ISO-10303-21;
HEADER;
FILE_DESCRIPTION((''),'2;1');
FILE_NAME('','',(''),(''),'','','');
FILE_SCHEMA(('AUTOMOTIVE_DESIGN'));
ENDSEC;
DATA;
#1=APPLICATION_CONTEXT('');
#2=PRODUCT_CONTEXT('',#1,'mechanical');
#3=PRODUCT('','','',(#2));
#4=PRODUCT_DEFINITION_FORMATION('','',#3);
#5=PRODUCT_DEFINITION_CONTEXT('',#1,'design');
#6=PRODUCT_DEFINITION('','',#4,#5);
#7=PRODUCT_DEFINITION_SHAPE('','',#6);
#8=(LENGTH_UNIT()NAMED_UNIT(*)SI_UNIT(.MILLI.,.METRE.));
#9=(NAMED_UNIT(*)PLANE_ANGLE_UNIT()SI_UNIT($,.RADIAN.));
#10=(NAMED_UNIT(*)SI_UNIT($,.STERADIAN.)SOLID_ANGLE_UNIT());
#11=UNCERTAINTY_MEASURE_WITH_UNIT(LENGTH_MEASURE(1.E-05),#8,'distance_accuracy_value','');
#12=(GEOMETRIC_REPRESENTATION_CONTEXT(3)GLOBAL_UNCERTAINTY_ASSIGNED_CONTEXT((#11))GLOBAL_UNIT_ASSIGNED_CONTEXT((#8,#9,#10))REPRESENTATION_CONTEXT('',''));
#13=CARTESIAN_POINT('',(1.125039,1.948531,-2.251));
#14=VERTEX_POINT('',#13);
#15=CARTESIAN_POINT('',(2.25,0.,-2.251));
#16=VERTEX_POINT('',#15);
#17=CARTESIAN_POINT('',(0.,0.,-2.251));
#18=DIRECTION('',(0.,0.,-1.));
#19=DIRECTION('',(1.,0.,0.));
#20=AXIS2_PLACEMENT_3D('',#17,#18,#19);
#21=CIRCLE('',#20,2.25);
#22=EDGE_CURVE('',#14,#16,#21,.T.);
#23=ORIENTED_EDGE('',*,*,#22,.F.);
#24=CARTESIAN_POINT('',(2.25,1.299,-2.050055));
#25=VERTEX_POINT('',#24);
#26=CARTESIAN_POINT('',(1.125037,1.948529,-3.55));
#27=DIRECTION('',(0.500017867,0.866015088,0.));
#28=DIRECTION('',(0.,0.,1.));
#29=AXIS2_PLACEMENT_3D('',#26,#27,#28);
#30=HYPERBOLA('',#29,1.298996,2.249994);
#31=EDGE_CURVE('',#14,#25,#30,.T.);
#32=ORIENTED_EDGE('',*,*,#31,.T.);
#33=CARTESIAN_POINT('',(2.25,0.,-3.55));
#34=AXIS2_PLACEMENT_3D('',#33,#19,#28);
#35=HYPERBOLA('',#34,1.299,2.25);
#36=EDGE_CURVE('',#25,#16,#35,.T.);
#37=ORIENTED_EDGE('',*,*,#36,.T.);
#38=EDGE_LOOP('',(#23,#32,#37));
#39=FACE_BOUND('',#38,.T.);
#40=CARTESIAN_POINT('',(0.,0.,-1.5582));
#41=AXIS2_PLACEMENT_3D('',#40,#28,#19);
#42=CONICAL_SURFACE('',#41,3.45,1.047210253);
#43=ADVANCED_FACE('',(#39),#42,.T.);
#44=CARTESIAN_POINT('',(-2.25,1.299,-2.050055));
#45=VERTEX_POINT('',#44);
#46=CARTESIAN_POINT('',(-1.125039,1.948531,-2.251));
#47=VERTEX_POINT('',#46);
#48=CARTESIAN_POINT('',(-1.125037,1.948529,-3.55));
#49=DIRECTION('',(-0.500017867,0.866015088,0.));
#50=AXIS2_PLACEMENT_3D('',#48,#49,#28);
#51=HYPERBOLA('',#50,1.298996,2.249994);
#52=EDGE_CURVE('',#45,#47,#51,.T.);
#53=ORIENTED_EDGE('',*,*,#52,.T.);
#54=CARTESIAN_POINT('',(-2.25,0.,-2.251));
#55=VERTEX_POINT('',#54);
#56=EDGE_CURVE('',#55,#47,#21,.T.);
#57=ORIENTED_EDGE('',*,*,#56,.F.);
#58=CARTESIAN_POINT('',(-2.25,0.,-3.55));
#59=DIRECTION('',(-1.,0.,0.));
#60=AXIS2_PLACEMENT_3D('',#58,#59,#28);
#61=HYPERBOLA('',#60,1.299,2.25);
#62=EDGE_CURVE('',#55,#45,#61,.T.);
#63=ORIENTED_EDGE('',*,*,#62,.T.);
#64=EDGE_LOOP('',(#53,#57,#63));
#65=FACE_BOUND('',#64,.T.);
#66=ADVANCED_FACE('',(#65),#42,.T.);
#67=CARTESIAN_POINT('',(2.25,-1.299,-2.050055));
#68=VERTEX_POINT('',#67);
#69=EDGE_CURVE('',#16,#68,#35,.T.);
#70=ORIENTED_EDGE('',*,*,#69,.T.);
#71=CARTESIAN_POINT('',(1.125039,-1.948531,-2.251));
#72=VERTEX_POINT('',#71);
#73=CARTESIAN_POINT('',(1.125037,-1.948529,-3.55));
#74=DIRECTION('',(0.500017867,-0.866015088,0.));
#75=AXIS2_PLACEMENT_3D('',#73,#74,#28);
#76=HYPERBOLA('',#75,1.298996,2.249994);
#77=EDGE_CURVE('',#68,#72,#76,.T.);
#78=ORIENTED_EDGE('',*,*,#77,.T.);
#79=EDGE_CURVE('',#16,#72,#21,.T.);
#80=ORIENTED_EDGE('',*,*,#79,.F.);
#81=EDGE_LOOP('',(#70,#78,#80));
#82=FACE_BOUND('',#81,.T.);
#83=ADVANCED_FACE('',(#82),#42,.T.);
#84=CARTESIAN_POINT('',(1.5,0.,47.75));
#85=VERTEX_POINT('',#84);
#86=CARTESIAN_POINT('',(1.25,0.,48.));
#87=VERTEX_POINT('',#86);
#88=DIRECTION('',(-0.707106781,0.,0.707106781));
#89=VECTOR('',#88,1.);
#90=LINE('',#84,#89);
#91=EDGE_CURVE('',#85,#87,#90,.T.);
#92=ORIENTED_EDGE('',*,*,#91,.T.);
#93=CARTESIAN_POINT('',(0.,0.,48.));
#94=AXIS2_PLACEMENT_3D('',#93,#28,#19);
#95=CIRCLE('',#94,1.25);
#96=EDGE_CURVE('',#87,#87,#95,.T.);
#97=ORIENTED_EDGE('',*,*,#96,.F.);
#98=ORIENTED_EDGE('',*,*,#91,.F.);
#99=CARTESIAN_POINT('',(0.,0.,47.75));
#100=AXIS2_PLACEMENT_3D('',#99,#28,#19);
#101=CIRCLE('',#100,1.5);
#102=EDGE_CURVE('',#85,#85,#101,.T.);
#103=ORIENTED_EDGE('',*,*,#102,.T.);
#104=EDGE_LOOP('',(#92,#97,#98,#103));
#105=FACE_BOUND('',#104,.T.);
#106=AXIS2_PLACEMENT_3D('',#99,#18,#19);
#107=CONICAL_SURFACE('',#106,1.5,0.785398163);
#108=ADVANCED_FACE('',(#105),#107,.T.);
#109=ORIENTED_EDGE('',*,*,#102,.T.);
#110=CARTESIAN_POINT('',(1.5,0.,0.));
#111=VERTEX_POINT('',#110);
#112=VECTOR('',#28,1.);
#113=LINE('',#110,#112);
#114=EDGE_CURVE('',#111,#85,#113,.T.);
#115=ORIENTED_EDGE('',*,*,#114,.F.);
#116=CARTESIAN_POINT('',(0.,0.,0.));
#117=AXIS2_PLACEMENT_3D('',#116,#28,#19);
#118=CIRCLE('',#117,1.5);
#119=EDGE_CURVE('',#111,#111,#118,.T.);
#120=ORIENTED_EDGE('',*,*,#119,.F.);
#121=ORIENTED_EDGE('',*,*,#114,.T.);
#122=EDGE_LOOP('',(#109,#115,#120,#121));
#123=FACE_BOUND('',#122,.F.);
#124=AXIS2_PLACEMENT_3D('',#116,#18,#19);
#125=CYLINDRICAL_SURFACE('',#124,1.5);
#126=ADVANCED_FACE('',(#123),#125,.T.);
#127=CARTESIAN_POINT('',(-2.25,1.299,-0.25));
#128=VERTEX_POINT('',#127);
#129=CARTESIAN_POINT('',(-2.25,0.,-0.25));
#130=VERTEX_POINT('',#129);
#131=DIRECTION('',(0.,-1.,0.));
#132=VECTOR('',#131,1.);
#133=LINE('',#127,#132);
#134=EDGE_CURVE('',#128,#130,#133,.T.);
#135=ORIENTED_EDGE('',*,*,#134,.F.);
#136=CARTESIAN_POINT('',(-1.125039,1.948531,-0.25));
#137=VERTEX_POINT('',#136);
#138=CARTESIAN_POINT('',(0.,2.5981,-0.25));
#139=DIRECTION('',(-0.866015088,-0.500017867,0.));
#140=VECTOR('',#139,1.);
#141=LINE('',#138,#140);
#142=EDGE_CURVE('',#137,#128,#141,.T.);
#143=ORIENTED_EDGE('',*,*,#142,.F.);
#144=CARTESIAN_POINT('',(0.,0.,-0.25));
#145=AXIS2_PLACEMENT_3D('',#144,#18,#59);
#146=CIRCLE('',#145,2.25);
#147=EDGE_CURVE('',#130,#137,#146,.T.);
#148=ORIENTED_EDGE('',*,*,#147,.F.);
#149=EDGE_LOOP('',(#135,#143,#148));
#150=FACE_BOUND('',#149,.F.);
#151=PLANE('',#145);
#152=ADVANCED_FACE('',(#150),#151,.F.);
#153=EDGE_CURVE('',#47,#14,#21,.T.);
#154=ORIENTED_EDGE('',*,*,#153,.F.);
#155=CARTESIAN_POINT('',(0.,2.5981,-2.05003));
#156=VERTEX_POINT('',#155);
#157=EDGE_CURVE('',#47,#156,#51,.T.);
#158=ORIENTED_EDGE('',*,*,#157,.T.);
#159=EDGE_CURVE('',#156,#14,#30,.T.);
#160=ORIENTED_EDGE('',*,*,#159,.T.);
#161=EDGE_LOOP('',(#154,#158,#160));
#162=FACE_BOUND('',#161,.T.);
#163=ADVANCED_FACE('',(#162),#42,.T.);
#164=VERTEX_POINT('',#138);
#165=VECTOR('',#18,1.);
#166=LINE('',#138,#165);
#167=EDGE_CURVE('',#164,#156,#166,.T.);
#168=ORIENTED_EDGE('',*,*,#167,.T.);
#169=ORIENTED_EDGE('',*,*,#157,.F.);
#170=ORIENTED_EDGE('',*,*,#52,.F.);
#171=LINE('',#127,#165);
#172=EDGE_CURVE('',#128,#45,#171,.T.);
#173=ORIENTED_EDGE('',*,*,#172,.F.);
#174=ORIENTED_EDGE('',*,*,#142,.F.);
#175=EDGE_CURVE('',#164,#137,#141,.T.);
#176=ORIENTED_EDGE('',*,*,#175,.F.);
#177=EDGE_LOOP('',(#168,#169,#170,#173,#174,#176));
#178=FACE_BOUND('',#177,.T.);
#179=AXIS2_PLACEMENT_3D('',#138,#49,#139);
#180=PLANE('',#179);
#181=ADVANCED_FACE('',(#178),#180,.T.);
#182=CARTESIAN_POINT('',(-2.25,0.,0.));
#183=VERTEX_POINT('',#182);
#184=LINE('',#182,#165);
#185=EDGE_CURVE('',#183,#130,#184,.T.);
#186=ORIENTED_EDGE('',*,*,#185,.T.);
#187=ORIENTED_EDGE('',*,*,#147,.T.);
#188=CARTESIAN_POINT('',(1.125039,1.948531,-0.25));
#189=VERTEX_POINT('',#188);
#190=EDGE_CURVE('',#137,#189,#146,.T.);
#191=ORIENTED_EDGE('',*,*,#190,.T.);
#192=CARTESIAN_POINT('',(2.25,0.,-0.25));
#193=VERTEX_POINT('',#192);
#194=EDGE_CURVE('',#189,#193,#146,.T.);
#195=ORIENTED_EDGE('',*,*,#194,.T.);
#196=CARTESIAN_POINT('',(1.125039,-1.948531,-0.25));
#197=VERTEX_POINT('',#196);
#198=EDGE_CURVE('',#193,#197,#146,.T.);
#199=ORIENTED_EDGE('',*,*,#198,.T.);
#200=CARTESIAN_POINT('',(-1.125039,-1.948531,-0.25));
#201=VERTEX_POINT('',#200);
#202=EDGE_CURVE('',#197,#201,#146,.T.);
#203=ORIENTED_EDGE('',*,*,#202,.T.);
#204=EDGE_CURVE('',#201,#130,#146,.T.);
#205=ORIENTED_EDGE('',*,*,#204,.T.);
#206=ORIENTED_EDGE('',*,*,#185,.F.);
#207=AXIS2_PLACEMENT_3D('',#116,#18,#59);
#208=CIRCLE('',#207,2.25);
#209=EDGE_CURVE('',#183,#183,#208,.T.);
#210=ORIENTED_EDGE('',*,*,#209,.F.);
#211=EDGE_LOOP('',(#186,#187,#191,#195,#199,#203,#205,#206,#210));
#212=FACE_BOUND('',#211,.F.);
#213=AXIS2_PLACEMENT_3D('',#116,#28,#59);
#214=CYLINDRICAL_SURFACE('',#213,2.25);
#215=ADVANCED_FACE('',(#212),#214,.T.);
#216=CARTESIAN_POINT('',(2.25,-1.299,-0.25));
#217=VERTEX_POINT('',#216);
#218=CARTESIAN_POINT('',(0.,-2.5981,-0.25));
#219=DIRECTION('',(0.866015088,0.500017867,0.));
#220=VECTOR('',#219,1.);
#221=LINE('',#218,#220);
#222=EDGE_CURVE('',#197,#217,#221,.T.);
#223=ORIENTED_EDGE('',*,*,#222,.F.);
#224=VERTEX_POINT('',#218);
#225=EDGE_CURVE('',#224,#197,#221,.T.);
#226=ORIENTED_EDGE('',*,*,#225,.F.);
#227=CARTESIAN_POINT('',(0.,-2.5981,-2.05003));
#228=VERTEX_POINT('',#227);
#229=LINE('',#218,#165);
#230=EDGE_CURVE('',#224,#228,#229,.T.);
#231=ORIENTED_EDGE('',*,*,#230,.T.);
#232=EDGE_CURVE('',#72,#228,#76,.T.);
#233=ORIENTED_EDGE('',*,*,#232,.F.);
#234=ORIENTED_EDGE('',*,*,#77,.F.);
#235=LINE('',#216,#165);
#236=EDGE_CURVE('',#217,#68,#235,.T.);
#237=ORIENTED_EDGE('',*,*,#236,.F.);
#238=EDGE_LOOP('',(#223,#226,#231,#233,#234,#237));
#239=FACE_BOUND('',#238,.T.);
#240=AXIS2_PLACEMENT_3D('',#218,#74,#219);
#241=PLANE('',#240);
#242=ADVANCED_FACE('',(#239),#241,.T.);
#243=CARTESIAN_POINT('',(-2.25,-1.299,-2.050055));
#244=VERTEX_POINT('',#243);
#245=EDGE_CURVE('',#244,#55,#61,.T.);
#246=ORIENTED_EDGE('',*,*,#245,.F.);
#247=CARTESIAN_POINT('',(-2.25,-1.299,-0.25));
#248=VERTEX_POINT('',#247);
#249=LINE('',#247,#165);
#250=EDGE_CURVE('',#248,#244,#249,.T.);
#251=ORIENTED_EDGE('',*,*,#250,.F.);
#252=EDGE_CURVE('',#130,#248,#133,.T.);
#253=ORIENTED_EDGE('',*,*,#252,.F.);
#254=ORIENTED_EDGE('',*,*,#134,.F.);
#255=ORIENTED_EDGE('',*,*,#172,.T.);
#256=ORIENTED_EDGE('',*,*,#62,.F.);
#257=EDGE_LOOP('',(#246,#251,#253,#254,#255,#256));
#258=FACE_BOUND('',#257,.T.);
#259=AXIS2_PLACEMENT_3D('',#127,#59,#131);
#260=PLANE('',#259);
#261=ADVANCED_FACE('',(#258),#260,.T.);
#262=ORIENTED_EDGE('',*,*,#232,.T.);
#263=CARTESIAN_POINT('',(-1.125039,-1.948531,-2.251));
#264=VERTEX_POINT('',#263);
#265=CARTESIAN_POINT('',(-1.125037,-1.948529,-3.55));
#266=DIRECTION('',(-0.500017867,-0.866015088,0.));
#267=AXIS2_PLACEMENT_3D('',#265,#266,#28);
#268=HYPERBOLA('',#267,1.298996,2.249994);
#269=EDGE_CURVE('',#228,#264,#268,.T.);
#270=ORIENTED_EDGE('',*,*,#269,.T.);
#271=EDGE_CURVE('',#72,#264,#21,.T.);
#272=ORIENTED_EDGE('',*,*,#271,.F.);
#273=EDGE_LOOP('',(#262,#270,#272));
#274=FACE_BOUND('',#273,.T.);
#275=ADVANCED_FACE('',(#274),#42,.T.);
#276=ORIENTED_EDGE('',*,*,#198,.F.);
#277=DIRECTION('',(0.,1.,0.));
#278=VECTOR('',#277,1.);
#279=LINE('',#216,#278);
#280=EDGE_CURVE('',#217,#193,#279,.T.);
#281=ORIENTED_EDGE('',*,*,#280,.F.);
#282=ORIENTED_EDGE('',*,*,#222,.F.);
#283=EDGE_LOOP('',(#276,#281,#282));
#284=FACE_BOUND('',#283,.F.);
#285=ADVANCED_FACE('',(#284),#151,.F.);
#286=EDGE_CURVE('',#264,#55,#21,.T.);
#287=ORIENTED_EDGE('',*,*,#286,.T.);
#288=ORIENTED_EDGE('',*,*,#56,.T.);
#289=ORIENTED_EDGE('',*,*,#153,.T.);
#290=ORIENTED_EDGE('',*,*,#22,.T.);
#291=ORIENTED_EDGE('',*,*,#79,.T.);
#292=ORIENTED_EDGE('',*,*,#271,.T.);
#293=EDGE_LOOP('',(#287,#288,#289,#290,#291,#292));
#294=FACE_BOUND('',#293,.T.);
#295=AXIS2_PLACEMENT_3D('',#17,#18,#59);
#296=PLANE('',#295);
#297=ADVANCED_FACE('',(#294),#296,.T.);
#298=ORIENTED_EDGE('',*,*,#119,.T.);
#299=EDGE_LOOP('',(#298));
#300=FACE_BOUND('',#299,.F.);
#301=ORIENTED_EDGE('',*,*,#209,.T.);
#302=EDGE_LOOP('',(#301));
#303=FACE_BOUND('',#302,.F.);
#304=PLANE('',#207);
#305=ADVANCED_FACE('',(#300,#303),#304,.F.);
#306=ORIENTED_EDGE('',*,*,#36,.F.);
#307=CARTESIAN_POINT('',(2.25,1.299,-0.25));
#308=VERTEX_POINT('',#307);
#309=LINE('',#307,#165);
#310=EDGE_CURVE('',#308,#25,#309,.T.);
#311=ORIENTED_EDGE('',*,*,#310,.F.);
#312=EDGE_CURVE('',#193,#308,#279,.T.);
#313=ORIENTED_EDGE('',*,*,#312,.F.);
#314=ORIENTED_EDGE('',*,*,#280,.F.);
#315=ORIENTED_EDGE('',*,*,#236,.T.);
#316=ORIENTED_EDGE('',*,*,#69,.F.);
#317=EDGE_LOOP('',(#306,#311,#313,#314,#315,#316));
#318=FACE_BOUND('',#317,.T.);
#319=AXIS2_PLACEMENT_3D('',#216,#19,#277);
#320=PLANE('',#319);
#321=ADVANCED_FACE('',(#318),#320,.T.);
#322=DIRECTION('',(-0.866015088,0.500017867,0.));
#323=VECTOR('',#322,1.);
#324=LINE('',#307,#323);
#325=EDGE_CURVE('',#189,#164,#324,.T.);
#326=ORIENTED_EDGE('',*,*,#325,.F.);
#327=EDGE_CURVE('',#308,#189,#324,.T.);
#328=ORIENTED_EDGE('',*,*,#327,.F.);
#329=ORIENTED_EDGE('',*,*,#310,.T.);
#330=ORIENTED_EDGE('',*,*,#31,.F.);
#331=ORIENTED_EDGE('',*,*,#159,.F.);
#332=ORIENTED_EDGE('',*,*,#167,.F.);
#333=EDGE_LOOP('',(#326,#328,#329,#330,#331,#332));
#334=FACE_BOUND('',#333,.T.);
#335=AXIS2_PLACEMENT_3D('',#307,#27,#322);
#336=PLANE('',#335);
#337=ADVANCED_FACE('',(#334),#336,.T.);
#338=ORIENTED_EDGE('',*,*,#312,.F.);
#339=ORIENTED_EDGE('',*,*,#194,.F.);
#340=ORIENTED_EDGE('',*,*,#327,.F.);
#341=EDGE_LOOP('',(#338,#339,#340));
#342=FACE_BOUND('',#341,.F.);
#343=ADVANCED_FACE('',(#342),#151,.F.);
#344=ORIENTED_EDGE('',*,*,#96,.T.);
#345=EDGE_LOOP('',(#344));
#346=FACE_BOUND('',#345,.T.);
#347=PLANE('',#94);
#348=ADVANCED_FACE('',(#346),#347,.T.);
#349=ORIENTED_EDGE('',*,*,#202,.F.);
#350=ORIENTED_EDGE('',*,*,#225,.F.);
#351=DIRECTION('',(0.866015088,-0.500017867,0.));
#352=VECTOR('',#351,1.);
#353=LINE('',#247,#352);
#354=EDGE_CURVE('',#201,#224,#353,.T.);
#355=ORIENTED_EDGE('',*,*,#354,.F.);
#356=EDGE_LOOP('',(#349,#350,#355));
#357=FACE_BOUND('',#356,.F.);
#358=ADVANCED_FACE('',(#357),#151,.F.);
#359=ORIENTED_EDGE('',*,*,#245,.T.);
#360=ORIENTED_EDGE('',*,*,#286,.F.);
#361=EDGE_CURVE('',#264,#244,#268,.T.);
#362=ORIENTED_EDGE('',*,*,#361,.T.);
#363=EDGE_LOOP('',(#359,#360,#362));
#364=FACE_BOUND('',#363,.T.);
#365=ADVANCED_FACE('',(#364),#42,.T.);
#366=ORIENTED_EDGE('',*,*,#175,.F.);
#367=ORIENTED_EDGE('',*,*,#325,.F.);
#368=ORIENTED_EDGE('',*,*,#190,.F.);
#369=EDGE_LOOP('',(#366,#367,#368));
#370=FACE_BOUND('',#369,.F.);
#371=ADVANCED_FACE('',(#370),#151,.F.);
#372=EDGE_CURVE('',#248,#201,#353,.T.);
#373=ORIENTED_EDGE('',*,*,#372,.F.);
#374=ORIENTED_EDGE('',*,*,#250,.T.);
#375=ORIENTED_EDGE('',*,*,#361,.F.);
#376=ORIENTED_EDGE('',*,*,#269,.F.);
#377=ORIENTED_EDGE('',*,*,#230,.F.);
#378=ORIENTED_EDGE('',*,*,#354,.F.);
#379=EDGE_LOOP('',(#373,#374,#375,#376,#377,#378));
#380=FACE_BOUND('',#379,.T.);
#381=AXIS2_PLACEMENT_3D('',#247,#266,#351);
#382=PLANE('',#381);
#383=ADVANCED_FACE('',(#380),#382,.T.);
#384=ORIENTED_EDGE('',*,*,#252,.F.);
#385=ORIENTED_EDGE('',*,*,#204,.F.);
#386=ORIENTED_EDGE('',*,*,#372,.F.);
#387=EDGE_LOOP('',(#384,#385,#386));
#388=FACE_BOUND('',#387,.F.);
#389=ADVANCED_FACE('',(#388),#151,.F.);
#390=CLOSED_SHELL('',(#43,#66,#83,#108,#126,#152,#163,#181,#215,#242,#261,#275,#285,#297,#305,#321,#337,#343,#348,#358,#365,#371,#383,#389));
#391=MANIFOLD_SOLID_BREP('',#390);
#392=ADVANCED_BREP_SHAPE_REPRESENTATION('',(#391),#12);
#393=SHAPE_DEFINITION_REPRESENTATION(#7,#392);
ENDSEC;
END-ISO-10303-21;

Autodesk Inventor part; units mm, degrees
ref_plane "YZ Plane" through (0, 0, 0) normal (1, 0, 0) x (0, 1, 0)
ref_plane "XZ Plane" through (0, 0, 0) normal (0, 1, 0) x (-1, 0, 0)
ref_plane "XY Plane" through (0, 0, 0) normal (0, 0, 1) x (1, 0, 0)
sketch "Sketch1" plane through (0, 0, 0) normal (0, 0, 1) x (1, 0, 0)
  circle A0 centre (0, 0) radius 1.5
  dimension "Diameter" = 3
extrude "Extrusion1" add sketch "Sketch1" along normal blind 48
sketch "Sketch2" plane through (0, 0, 0) normal (0, 0, -1) x (-1, 0, 0)
  circle A0 centre (0, 0) radius 1.5 construction
  circle A1 centre (0, 0) radius 2.25
  dimension "Head_Washer_Diameter" = 4.5
extrude "Extrusion2" add sketch "Sketch2" along normal blind 0.25
sketch "Sketch3" plane through (0, 0, -0.25) normal (0, 0, -1) x (-1, 0, 0)
  circle A0 centre (0, 0) radius 2.25 construction
  line L0 (-2.25, 1.299) -> (0, 2.5981)
  line L1 (0, 2.5981) -> (2.25, 1.299)
  line L2 (2.25, 1.299) -> (2.25, -1.299)
  line L3 (2.25, -1.299) -> (0, -2.5981)
  line L4 (0, -2.5981) -> (-2.25, -1.299)
  line L5 (-2.25, -1.299) -> (-2.25, 1.299)
extrude "Extrusion3" add sketch "Sketch3" along normal blind 2.001
thread "Thread1" size "M3x0.5" class "6g" standard "ANSI Metric M Profile" length 10
chamfer "Chamfer1" distance 0.25 angle 45 1 edges at (-1.5, 0, 48)
sketch "Sketch4" plane through (0, 0, 0) normal (0, 1, 0) x (-1, 0, 0)
  line L0 (-2.25, -0.25) -> (-2.25, -2.251) construction
  line L1 (-2.25, -0.25) -> (-2.25, -2.251) construction
  line L2 (-2.25, -2.251) -> (-3.45, -2.251)
  line L3 (-3.45, -2.251) -> (-3.45, -1.5582)
  line L4 (-3.45, -1.5582) -> (-2.25, -2.251)
  line L5 (0, 0) -> (0, -6.83)
  point P0 (-2.25, -0.25)
  dimension "Head_Chamfer_Angle" = 30
  dimension "d14" = 1.2
revolve "Revolution1" cut sketch "Sketch4" angle 360 about axis through (0, 0, 0) along (0, 0, -1)
equation "\"Head_Washer_Diameter\" = 1.5 * Diameter"
equation "\"Head_Height\" = 0.667 * Diameter"
equation "\"d14\" = 0.4 * Diameter"
properties part number "Hex Head Cap Screw"
